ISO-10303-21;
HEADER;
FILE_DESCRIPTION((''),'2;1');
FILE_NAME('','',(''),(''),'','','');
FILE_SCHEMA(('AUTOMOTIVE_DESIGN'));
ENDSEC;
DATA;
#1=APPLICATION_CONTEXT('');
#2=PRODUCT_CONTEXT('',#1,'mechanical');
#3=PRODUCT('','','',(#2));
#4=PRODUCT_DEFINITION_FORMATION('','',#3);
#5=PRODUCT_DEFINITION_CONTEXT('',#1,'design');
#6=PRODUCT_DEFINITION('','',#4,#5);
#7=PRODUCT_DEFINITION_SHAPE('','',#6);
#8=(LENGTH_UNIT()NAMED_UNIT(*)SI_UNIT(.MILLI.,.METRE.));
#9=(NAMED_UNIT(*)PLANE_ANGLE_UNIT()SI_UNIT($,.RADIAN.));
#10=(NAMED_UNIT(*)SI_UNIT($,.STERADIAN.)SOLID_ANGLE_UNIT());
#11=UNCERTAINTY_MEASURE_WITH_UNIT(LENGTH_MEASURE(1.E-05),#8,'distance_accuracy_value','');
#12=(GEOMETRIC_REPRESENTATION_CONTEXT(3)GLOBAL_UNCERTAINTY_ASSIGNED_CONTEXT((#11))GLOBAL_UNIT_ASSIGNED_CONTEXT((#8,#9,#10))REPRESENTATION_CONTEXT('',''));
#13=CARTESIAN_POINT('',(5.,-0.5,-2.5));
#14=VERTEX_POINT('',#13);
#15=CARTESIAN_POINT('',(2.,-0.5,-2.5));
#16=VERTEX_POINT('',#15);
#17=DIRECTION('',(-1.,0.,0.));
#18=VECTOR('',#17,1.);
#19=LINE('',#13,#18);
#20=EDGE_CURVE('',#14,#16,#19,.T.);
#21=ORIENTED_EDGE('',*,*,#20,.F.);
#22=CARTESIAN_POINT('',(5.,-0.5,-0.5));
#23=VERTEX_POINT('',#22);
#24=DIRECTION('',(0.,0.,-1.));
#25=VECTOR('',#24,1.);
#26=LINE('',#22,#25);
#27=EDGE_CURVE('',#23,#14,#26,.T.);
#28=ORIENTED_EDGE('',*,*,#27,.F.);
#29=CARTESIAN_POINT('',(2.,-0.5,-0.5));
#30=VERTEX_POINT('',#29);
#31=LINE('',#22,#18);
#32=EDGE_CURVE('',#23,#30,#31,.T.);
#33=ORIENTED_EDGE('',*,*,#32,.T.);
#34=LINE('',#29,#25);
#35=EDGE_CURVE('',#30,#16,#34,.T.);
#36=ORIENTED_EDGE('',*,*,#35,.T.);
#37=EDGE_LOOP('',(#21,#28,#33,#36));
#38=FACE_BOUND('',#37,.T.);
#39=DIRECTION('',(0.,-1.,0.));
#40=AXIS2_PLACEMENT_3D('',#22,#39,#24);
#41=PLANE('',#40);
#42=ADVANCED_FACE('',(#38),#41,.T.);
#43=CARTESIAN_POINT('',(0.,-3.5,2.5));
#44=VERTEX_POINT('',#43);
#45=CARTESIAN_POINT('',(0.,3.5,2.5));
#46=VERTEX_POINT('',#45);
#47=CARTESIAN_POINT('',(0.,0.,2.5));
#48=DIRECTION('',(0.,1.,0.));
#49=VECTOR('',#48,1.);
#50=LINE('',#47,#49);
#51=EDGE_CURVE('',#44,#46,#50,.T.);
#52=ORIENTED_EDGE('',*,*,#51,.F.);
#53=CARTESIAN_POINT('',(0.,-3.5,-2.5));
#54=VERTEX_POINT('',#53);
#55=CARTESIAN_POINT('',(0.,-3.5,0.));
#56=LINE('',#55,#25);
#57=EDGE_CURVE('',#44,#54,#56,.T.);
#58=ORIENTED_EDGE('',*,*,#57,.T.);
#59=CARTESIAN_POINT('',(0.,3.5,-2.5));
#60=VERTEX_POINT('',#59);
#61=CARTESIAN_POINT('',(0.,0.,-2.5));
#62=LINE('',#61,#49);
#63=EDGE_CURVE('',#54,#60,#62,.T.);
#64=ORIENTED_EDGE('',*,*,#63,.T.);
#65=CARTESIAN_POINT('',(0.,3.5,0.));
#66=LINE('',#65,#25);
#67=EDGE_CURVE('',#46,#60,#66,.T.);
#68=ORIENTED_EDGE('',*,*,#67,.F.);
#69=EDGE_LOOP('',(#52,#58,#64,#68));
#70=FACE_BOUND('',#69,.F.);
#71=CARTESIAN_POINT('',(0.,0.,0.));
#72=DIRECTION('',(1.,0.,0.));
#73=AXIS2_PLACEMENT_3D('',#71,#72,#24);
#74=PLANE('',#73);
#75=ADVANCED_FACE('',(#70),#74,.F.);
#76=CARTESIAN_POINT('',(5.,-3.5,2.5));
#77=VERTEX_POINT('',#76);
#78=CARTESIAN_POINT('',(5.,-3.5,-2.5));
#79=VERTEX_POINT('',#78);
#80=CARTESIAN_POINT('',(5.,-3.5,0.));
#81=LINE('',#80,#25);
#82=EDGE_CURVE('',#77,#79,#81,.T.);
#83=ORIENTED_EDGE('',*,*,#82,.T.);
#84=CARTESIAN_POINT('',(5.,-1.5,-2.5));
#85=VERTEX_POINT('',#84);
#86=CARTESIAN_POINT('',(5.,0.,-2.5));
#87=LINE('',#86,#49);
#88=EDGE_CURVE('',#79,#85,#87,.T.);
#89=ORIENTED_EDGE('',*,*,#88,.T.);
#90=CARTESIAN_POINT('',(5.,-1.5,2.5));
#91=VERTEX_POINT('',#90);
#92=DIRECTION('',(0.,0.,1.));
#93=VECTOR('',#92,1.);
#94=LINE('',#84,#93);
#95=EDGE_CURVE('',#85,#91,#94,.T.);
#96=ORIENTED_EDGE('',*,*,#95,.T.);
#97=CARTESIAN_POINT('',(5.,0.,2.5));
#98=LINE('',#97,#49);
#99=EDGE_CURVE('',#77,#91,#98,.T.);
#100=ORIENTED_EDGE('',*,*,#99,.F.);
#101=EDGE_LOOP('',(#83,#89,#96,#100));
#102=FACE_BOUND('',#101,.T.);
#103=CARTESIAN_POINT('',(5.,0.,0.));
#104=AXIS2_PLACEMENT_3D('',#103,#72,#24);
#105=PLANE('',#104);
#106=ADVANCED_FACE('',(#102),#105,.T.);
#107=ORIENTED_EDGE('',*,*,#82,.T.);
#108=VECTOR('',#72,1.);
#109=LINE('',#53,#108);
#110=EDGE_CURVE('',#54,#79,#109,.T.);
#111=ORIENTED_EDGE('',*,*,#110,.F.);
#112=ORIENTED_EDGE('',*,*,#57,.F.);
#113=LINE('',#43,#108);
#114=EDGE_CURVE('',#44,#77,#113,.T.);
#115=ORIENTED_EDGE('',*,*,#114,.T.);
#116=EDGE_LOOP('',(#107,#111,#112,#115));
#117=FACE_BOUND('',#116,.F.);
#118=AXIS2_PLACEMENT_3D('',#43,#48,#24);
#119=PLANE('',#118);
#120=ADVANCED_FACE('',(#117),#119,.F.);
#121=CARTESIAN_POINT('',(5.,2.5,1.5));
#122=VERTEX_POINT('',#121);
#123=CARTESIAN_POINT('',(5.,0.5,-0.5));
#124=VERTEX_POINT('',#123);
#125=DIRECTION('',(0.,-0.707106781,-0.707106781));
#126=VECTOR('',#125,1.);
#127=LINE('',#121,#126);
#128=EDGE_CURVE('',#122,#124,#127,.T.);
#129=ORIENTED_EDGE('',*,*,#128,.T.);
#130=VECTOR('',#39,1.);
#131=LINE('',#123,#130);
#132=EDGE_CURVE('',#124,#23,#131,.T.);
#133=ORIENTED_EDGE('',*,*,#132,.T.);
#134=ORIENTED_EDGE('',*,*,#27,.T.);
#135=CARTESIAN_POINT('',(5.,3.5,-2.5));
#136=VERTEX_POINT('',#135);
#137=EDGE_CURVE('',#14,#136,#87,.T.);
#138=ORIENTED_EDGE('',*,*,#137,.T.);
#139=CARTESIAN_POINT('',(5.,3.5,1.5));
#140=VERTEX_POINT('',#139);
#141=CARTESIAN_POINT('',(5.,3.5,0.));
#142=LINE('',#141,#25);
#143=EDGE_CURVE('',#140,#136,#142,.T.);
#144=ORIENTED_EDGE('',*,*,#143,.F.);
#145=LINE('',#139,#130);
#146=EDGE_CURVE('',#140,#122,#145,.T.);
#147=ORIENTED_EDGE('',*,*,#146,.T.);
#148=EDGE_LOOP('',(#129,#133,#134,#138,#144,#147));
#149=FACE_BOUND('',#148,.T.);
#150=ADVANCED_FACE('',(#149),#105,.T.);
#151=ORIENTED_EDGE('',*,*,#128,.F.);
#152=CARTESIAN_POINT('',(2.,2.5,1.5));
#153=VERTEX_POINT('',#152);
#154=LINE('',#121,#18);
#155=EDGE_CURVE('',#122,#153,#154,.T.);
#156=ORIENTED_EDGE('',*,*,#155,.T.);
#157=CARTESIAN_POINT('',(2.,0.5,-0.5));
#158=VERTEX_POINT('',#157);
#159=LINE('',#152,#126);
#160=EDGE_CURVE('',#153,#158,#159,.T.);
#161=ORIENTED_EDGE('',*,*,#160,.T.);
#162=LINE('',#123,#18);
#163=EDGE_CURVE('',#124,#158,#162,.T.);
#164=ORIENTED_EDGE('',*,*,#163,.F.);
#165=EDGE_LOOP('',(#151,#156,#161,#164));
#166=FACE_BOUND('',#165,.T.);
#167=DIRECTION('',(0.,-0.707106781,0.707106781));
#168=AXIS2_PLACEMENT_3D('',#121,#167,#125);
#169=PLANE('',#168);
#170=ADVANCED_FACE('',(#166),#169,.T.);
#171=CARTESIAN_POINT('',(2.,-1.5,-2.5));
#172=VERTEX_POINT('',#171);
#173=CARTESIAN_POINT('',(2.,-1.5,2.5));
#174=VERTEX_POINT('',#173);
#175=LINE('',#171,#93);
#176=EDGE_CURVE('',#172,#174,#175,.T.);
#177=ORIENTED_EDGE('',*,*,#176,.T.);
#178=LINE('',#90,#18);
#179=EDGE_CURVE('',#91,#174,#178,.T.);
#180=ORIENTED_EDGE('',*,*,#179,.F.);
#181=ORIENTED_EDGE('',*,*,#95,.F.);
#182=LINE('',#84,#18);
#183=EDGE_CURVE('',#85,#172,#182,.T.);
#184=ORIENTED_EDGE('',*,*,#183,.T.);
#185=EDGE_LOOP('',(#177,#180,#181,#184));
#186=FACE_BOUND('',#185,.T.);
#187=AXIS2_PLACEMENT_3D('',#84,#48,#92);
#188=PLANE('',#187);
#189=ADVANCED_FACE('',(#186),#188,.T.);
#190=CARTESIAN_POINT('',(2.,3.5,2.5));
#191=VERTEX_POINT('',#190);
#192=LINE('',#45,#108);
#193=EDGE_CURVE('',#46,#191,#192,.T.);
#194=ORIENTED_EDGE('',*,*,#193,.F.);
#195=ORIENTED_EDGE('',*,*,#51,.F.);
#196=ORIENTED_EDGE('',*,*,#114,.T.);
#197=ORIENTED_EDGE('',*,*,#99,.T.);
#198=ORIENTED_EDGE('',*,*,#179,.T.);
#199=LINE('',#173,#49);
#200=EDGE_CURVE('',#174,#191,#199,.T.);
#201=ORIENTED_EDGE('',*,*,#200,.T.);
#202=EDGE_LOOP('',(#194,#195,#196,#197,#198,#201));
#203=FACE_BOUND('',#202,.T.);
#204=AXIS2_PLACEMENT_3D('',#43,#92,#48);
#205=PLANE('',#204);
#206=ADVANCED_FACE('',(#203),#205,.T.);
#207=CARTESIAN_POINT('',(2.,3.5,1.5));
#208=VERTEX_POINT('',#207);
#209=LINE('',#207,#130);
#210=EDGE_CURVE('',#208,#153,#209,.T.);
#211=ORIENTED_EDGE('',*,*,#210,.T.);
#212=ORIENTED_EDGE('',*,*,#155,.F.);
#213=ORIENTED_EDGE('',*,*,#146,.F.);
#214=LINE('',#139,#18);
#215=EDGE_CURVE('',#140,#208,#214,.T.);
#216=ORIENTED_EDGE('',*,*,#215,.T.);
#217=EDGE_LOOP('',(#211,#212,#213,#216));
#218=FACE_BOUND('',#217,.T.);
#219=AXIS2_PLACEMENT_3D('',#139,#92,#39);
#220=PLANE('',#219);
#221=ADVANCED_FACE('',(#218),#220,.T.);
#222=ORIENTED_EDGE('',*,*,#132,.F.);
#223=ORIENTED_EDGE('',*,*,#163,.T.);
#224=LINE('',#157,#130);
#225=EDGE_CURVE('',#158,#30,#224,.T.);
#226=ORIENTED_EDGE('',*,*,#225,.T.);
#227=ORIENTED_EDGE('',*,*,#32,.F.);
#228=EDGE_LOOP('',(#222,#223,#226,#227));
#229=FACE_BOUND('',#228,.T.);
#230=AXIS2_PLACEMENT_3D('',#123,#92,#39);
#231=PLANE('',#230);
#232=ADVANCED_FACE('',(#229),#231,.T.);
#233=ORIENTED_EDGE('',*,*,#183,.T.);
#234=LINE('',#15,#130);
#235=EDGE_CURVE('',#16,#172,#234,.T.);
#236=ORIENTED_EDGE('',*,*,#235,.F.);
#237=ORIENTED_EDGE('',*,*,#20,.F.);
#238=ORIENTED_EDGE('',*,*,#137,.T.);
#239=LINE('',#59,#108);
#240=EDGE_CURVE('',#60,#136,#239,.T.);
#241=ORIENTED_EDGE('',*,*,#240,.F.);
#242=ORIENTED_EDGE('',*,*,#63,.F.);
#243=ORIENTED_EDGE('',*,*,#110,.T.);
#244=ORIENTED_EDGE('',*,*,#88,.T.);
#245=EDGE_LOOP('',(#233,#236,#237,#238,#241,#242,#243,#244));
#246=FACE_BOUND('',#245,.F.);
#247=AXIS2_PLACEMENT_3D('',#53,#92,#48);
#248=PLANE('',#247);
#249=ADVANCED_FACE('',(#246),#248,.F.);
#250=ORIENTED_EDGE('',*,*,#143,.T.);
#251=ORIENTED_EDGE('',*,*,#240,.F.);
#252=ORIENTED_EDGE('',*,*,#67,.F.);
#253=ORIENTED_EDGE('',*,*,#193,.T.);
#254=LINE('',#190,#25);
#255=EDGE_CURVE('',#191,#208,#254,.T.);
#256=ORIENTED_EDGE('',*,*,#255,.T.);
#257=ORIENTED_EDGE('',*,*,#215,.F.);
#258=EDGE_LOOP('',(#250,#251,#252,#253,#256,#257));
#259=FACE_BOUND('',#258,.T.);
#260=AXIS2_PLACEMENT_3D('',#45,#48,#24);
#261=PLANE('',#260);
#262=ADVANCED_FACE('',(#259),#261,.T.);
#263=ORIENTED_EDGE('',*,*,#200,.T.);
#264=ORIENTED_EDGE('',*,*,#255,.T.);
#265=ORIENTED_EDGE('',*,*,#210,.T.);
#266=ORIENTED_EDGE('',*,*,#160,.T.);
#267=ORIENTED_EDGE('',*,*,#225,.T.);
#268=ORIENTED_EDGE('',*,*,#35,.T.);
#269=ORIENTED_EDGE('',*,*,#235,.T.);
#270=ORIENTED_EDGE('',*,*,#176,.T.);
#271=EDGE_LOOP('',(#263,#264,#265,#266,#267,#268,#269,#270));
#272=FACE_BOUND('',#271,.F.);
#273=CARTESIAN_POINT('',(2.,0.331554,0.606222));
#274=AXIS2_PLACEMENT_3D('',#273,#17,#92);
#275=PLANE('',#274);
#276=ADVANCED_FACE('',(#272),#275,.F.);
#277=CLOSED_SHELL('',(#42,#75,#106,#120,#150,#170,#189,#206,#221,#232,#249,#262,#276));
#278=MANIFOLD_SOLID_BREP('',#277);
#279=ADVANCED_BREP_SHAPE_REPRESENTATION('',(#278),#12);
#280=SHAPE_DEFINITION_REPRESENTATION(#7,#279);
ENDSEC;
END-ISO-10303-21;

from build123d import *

# Parameters (mm, degrees)
SKETCH1_W           = 5
SKETCH1_H           = 7
BOSS_EXTRUDE1_DEPTH = 5
CUT_EXTRUDE1_DEPTH  = 3


with BuildPart() as part:
    # Sketch1 → Boss-Extrude1 (new body)
    with BuildSketch(Plane(origin=(0, 0, 0), x_dir=(0, 0, -1), z_dir=(1, 0, 0))):
        Rectangle(SKETCH1_W, SKETCH1_H)
    extrude(amount=BOSS_EXTRUDE1_DEPTH)

    # Sketch2 → Cut-Extrude1 (cut)
    with BuildSketch(Plane(origin=(5, 0, 0), x_dir=(0, 0, -1), z_dir=(1, 0, 0))):
        Polygon((2.5, -1.5), (-2.5, -1.5), (-2.5, 3.5), (-1.5, 3.5), (-1.5, 2.5), (0.5, 0.5), (0.5, -0.5), (2.5, -0.5), align=None)
    extrude(amount=-CUT_EXTRUDE1_DEPTH, mode=Mode.SUBTRACT)


solid = part.part
